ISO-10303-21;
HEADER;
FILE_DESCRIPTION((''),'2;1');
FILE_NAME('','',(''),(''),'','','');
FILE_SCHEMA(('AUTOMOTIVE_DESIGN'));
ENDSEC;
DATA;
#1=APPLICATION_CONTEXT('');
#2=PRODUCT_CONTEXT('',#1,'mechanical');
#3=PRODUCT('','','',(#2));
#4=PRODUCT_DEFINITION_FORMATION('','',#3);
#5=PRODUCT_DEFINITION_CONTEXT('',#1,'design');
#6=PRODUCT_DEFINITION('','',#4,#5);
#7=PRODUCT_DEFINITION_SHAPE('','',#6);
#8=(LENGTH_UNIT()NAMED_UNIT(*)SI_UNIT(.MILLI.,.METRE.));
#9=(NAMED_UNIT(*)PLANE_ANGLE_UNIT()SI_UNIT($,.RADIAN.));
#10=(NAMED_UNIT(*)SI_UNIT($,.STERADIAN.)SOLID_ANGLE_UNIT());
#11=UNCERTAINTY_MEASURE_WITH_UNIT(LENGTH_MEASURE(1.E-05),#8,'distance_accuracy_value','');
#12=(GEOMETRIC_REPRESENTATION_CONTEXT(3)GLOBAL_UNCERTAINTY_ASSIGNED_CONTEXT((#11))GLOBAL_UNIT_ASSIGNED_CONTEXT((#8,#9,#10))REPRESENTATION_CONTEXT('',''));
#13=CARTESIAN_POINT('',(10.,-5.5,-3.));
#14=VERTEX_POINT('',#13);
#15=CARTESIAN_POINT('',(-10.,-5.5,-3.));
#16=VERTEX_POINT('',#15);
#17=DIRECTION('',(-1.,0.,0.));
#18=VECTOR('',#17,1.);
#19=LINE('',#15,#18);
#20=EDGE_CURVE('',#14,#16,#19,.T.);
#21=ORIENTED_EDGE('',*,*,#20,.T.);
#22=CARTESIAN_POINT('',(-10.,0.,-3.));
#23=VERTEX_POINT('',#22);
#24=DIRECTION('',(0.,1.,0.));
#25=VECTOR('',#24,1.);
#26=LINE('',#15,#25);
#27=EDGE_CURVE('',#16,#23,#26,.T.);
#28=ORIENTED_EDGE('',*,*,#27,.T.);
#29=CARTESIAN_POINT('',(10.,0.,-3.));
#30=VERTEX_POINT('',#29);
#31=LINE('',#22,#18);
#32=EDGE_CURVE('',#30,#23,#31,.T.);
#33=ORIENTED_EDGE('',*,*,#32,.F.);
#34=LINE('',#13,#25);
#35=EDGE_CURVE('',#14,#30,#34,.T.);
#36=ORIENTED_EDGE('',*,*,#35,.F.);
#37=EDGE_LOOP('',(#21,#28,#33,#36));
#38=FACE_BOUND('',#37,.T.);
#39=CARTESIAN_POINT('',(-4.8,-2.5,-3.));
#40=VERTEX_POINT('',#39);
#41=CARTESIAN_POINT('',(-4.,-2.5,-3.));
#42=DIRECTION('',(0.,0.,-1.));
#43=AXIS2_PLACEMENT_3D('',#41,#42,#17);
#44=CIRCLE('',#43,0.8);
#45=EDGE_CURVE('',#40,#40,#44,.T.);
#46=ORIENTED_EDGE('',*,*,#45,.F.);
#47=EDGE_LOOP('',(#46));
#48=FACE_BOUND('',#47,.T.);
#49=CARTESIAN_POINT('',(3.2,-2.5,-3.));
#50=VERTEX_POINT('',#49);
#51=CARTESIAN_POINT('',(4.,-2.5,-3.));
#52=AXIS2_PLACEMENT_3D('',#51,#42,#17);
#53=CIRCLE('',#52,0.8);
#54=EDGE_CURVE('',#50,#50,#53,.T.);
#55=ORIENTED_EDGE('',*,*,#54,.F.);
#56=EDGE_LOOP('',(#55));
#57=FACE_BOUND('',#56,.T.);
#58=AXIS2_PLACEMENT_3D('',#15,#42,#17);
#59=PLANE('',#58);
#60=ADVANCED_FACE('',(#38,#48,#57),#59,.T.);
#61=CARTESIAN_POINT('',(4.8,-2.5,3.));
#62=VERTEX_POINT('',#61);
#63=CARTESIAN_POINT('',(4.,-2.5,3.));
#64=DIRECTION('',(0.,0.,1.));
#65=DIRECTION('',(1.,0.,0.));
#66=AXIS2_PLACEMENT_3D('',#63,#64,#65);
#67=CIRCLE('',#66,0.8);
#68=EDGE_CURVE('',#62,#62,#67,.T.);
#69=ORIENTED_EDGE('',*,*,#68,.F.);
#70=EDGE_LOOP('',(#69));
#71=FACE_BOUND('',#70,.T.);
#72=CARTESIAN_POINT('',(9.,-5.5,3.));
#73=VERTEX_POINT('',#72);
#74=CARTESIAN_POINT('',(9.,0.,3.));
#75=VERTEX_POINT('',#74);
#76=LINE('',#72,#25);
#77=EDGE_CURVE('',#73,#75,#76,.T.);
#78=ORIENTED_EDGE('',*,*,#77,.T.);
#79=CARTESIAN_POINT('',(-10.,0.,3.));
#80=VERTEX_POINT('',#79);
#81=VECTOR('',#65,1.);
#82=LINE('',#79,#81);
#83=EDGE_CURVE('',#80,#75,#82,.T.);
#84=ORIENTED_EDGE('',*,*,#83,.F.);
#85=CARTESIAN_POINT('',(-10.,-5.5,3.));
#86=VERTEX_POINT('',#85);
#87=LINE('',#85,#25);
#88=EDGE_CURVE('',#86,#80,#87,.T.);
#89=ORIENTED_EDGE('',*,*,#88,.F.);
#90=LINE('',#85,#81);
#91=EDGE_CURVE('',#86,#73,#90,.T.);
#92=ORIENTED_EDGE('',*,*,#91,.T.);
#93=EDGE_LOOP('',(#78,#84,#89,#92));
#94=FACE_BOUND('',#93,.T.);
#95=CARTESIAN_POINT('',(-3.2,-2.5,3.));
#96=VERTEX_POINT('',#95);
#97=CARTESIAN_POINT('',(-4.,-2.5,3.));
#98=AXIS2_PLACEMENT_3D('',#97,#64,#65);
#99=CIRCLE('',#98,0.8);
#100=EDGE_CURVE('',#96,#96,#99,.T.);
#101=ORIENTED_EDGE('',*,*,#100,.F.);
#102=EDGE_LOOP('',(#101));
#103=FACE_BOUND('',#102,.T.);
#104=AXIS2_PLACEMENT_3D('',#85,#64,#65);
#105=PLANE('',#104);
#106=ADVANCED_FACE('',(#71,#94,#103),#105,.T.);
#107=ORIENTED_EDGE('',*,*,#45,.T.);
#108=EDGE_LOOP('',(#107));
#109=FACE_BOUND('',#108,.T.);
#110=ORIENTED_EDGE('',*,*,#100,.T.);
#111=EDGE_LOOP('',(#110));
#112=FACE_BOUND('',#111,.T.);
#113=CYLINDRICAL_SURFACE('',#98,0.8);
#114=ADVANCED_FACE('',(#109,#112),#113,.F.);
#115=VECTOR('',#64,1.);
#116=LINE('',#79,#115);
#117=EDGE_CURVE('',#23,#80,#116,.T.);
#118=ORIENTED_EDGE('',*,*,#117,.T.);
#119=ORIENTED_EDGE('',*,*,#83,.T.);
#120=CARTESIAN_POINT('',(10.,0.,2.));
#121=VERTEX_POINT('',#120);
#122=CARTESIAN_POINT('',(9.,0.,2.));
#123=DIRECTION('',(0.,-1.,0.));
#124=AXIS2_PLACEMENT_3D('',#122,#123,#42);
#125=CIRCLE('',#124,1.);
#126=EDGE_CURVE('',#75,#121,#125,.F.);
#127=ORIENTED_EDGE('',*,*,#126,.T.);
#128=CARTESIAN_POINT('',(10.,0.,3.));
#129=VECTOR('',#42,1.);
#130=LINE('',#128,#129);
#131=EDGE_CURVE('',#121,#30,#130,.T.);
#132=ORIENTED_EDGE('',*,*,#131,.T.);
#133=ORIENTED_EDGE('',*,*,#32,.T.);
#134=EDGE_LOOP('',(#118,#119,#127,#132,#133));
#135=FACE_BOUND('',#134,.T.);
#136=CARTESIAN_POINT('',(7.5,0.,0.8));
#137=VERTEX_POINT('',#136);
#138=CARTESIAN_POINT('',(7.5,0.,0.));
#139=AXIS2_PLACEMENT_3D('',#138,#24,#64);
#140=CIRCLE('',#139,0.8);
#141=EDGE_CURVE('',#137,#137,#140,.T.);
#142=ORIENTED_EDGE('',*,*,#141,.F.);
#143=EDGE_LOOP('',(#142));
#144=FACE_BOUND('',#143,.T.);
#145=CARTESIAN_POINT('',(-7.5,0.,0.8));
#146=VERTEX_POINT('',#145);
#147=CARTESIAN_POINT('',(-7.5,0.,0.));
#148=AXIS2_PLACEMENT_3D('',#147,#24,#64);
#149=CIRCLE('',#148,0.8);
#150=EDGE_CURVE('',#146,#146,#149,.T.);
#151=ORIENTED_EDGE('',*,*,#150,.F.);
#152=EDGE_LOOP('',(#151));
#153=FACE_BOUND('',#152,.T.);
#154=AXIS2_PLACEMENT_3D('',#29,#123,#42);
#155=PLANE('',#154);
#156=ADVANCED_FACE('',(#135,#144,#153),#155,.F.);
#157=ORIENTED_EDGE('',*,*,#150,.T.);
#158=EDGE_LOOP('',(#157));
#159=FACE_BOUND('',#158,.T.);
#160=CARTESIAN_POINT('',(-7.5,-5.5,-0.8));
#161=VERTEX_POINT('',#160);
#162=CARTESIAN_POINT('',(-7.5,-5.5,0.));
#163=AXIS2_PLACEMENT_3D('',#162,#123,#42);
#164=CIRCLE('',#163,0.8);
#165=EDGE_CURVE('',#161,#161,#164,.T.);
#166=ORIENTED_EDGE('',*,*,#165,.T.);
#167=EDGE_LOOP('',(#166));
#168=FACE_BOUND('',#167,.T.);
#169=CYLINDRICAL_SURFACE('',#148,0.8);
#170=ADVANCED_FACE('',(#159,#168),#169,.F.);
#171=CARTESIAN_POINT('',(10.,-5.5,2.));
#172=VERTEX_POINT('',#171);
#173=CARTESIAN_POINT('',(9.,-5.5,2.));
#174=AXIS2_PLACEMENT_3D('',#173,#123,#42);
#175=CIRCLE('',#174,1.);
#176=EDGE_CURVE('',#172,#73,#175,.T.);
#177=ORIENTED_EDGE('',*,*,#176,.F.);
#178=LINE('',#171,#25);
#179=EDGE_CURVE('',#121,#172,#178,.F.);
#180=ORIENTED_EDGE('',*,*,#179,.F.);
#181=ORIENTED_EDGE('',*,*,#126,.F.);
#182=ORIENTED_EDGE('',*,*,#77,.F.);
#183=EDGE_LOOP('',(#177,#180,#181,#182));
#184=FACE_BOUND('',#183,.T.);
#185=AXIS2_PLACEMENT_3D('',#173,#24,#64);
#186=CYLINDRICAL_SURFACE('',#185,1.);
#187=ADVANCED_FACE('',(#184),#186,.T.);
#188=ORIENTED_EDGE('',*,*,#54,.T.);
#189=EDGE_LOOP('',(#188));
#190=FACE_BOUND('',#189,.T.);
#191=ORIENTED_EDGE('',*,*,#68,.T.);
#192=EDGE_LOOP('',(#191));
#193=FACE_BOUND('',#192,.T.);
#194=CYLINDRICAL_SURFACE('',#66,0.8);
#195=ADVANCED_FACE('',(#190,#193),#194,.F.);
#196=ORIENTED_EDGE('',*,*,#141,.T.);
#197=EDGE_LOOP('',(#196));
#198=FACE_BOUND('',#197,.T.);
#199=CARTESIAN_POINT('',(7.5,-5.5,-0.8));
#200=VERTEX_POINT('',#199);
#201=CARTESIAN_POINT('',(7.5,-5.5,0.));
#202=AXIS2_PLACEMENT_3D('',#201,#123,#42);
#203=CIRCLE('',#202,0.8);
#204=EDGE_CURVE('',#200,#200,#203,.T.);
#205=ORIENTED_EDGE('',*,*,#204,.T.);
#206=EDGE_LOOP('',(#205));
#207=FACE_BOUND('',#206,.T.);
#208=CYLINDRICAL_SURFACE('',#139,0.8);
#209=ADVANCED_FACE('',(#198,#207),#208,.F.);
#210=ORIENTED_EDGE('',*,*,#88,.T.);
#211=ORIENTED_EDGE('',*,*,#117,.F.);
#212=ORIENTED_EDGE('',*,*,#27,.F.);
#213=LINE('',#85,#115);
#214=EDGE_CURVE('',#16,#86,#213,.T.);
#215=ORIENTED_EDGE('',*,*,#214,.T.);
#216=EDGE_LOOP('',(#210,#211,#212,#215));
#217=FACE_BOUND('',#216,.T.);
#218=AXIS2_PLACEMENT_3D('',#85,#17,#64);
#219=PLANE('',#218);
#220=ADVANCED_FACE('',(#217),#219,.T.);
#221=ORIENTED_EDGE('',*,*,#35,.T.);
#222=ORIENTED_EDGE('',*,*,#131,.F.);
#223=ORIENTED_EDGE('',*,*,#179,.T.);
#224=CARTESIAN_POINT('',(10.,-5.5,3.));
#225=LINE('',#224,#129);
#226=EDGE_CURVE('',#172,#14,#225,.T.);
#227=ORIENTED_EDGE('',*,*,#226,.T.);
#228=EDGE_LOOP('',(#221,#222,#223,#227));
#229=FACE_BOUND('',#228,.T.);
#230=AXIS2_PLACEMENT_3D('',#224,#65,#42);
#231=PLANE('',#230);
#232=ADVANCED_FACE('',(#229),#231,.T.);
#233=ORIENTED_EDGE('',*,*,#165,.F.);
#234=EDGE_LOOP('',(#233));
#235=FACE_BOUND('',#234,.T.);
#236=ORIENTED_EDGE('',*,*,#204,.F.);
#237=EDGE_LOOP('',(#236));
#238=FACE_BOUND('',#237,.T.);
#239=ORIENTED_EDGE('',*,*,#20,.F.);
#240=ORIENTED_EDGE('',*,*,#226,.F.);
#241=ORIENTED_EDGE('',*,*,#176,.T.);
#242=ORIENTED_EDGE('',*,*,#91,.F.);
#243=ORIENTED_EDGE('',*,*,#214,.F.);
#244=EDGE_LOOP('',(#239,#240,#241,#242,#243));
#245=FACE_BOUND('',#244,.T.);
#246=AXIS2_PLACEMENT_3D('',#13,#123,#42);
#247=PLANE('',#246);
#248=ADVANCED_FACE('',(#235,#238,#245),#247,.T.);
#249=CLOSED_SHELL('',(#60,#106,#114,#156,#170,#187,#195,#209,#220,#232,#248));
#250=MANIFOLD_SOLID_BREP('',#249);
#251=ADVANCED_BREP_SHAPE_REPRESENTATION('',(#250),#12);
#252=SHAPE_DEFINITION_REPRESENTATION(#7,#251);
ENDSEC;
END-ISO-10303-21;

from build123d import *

# Parameters (mm, degrees)
SKETCH1_W             = 20
SKETCH1_H             = 6
BOSS_EXTRUDE1_DEPTH   = 5.5
M2X0_4_TAPPED_HOLE2_D = 1.6
FILLET1_R             = 1
M2X0_4_TAPPED_HOLE1_D = 1.6


with BuildPart() as part:
    # Sketch1 → Boss-Extrude1 (new body)
    with BuildSketch(Plane(origin=(0, 0, 0), x_dir=(1, 0, 0), z_dir=(0, 1, 0))):
        Rectangle(SKETCH1_W, SKETCH1_H)
    extrude(amount=-BOSS_EXTRUDE1_DEPTH)

    # M2x0.4 Tapped Hole2 (through all)
    with Locations(Plane(origin=(0, 0, 0), x_dir=(-1, 0, 0), z_dir=(0, 1, 0))):
        with Locations((7.5, 0), (-7.5, 0)):
            Hole(M2X0_4_TAPPED_HOLE2_D / 2)

    # Fillet1
    fillet1_edges = [part.edges().sort_by_distance(p)[0] for p in [
        (10, -2.75, 3),
    ]]
    fillet(fillet1_edges, radius=FILLET1_R)

    # M2x0.4 Tapped Hole1 (through all)
    with Locations(Plane.XY.offset(3)):
        with Locations((-4, -2.5), (4, -2.5)):
            Hole(M2X0_4_TAPPED_HOLE1_D / 2)


solid = part.part
